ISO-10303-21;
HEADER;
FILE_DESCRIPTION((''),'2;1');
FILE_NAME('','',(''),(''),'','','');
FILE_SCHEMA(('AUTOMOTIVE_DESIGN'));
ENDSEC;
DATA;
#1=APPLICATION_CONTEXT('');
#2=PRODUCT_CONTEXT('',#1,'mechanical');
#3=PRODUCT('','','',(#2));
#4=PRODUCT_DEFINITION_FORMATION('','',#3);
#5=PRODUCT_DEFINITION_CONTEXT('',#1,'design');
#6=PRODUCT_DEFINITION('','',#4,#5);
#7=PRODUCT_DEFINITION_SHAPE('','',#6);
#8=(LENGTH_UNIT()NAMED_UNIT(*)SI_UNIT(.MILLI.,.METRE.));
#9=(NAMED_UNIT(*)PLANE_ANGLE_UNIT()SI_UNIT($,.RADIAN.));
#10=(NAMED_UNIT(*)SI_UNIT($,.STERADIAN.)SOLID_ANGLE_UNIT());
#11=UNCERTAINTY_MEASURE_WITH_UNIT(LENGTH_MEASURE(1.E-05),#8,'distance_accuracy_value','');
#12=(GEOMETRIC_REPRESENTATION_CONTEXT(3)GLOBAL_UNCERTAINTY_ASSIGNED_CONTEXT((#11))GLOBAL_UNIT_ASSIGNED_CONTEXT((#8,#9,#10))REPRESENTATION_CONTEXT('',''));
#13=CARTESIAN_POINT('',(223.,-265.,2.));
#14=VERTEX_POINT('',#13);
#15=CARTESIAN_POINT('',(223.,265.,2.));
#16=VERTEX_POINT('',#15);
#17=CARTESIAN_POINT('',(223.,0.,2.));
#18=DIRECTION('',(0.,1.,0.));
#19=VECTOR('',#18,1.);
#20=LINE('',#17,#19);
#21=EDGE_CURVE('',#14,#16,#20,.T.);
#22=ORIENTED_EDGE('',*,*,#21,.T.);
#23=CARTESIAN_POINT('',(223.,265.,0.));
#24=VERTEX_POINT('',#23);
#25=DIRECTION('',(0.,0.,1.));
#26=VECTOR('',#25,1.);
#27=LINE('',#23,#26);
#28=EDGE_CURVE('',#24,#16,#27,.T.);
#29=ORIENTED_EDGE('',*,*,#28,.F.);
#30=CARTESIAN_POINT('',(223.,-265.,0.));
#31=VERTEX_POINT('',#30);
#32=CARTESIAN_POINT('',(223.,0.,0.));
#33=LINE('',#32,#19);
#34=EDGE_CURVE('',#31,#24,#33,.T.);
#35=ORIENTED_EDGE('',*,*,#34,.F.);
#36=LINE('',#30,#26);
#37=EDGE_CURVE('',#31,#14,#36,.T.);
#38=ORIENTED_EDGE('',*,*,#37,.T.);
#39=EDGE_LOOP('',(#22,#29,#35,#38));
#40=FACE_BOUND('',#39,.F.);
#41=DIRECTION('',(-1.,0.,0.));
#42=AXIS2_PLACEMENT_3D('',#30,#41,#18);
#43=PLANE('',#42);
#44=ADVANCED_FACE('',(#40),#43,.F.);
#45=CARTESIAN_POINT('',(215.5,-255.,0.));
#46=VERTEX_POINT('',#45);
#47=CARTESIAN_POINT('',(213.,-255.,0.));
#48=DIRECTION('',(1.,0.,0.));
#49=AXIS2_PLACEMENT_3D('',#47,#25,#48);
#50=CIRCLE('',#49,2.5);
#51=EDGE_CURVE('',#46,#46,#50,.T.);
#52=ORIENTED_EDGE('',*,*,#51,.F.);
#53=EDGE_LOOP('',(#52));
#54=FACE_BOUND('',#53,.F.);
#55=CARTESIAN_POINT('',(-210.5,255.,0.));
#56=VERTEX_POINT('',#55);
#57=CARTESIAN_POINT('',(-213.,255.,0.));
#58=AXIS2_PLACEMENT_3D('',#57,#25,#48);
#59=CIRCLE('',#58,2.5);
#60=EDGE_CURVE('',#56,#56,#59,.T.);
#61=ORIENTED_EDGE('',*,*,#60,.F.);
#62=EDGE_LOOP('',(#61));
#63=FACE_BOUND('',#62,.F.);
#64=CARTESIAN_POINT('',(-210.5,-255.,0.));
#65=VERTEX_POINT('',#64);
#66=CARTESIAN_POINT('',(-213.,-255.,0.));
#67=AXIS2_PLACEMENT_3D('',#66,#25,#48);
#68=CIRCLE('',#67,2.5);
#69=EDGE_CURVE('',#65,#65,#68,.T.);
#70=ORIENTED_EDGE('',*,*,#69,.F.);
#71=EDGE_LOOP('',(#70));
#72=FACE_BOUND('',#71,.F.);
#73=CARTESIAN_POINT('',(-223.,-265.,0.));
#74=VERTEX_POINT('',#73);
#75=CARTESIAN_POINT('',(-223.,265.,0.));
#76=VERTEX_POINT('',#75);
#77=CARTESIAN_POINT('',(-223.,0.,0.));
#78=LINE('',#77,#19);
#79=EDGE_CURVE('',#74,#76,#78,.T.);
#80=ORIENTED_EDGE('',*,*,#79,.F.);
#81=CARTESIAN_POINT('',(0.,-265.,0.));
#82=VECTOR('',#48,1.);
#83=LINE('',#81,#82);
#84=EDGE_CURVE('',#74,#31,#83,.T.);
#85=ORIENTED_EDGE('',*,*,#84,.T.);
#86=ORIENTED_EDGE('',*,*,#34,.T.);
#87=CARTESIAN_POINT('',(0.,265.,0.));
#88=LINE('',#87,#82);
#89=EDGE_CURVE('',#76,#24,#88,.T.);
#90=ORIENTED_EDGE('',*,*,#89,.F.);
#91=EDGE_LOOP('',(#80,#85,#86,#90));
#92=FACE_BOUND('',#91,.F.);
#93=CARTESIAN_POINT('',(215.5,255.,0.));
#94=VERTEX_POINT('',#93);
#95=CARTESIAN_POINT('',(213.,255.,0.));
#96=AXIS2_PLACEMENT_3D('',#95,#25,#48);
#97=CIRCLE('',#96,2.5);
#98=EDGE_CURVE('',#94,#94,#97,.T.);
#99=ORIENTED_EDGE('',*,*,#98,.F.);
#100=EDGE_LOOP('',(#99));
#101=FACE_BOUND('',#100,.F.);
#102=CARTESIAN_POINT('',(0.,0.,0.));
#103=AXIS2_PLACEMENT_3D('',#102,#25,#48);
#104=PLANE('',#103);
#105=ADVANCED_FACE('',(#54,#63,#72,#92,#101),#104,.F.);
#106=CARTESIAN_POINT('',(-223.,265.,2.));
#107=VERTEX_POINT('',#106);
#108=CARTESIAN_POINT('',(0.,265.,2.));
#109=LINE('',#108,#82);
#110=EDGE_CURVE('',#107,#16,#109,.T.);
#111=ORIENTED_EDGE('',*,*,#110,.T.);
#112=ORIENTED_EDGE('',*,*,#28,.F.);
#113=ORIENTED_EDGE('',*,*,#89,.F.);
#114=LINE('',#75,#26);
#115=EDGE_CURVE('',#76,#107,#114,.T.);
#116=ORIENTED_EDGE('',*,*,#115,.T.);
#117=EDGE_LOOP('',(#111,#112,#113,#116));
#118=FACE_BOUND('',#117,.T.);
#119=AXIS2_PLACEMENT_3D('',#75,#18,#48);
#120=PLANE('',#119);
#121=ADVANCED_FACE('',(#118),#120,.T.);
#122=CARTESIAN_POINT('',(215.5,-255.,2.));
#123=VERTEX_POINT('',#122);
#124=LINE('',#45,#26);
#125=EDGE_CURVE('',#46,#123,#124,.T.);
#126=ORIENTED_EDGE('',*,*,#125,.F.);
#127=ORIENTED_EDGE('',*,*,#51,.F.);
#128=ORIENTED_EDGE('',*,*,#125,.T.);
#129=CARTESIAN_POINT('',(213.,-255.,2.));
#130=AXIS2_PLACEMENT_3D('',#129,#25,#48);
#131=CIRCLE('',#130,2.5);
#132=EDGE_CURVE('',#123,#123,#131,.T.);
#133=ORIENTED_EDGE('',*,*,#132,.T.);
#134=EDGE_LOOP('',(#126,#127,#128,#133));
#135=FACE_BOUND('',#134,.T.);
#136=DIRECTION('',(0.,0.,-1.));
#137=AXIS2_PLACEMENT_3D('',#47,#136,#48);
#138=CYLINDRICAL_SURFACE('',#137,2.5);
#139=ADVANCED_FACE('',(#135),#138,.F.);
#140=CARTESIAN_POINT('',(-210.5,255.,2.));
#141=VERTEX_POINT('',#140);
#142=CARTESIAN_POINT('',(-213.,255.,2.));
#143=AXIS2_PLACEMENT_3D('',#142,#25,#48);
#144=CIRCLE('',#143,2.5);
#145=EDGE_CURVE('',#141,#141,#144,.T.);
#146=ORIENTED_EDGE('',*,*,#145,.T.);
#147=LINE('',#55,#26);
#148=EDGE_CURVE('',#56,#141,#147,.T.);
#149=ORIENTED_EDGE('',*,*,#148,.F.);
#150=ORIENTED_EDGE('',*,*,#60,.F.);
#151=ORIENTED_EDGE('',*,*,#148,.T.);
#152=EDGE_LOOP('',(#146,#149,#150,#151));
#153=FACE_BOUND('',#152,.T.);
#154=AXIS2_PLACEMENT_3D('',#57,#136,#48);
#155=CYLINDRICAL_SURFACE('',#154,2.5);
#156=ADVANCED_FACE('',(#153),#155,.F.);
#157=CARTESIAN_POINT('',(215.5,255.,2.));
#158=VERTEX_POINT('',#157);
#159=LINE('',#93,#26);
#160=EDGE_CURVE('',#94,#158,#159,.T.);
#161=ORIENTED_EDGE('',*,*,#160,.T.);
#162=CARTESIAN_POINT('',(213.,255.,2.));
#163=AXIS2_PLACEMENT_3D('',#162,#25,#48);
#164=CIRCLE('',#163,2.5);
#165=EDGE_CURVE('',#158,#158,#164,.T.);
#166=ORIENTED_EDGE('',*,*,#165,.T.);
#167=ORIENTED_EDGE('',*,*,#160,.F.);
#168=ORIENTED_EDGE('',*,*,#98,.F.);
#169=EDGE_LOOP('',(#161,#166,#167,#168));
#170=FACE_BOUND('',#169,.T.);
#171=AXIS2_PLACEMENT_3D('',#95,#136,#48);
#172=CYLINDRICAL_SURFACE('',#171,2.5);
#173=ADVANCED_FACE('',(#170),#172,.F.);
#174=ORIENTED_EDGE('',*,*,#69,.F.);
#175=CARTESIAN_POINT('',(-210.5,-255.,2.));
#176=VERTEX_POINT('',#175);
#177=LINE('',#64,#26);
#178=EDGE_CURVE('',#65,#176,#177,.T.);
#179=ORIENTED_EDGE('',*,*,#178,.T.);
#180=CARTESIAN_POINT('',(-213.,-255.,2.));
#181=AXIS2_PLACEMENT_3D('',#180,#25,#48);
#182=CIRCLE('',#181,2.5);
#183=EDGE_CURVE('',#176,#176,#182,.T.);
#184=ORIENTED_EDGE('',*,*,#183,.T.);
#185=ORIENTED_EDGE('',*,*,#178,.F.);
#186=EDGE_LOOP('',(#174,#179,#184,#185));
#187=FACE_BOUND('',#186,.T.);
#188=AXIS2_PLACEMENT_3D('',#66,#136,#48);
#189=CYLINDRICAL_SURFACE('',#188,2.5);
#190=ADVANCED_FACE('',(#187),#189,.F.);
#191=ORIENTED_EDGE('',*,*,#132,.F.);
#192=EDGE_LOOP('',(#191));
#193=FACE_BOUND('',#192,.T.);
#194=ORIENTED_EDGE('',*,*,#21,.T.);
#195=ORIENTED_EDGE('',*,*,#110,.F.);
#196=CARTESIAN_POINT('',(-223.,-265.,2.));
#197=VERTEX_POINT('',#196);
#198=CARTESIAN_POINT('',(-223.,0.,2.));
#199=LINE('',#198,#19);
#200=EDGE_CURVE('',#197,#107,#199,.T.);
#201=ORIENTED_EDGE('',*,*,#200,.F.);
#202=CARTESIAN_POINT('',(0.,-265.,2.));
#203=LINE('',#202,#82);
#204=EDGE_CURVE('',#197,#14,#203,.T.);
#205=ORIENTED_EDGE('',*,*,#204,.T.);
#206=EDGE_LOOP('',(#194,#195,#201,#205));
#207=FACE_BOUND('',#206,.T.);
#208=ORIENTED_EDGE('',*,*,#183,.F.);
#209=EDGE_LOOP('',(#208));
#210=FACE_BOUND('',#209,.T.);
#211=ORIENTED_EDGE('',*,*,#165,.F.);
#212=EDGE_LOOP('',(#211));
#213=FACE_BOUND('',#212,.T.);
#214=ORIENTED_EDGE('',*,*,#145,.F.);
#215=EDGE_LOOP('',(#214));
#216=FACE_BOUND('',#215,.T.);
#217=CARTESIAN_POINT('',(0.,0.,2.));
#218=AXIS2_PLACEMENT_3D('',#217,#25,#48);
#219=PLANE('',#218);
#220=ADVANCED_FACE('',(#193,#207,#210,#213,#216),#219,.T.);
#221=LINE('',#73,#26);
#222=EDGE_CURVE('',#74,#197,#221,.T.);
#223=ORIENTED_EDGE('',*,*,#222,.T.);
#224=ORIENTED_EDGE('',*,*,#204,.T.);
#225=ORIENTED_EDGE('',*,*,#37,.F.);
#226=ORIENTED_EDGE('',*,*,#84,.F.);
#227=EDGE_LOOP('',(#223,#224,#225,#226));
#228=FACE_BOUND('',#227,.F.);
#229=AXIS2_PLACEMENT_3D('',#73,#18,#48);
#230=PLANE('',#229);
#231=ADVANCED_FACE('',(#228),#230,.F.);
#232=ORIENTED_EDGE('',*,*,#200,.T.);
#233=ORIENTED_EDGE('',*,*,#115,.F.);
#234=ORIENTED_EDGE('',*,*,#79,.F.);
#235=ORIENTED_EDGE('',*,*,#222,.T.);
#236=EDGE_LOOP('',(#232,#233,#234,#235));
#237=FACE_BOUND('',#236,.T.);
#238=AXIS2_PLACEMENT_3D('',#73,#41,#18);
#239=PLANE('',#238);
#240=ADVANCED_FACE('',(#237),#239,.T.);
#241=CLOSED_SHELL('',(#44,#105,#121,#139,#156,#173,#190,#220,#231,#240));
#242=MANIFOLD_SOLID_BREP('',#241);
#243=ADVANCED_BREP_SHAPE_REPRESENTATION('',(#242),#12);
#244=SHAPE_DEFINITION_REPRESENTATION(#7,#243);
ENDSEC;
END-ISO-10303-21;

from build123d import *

# Parameters (mm, degrees)
SKETCH_W  = 446
SKETCH_H  = 530
SKETCH_R  = 2.5
PAD_DEPTH = 2


with BuildPart() as part:
    # Sketch → Pad (new body)
    with BuildSketch(Plane.XY):
        Rectangle(SKETCH_W, SKETCH_H)
        with Locations((-213, 255)):
            Circle(SKETCH_R, mode=Mode.SUBTRACT)
        with Locations((-213, -255)):
            Circle(SKETCH_R, mode=Mode.SUBTRACT)
        with Locations((213, -255)):
            Circle(SKETCH_R, mode=Mode.SUBTRACT)
        with Locations((213, 255)):
            Circle(SKETCH_R, mode=Mode.SUBTRACT)
    extrude(amount=PAD_DEPTH)


solid = part.part
